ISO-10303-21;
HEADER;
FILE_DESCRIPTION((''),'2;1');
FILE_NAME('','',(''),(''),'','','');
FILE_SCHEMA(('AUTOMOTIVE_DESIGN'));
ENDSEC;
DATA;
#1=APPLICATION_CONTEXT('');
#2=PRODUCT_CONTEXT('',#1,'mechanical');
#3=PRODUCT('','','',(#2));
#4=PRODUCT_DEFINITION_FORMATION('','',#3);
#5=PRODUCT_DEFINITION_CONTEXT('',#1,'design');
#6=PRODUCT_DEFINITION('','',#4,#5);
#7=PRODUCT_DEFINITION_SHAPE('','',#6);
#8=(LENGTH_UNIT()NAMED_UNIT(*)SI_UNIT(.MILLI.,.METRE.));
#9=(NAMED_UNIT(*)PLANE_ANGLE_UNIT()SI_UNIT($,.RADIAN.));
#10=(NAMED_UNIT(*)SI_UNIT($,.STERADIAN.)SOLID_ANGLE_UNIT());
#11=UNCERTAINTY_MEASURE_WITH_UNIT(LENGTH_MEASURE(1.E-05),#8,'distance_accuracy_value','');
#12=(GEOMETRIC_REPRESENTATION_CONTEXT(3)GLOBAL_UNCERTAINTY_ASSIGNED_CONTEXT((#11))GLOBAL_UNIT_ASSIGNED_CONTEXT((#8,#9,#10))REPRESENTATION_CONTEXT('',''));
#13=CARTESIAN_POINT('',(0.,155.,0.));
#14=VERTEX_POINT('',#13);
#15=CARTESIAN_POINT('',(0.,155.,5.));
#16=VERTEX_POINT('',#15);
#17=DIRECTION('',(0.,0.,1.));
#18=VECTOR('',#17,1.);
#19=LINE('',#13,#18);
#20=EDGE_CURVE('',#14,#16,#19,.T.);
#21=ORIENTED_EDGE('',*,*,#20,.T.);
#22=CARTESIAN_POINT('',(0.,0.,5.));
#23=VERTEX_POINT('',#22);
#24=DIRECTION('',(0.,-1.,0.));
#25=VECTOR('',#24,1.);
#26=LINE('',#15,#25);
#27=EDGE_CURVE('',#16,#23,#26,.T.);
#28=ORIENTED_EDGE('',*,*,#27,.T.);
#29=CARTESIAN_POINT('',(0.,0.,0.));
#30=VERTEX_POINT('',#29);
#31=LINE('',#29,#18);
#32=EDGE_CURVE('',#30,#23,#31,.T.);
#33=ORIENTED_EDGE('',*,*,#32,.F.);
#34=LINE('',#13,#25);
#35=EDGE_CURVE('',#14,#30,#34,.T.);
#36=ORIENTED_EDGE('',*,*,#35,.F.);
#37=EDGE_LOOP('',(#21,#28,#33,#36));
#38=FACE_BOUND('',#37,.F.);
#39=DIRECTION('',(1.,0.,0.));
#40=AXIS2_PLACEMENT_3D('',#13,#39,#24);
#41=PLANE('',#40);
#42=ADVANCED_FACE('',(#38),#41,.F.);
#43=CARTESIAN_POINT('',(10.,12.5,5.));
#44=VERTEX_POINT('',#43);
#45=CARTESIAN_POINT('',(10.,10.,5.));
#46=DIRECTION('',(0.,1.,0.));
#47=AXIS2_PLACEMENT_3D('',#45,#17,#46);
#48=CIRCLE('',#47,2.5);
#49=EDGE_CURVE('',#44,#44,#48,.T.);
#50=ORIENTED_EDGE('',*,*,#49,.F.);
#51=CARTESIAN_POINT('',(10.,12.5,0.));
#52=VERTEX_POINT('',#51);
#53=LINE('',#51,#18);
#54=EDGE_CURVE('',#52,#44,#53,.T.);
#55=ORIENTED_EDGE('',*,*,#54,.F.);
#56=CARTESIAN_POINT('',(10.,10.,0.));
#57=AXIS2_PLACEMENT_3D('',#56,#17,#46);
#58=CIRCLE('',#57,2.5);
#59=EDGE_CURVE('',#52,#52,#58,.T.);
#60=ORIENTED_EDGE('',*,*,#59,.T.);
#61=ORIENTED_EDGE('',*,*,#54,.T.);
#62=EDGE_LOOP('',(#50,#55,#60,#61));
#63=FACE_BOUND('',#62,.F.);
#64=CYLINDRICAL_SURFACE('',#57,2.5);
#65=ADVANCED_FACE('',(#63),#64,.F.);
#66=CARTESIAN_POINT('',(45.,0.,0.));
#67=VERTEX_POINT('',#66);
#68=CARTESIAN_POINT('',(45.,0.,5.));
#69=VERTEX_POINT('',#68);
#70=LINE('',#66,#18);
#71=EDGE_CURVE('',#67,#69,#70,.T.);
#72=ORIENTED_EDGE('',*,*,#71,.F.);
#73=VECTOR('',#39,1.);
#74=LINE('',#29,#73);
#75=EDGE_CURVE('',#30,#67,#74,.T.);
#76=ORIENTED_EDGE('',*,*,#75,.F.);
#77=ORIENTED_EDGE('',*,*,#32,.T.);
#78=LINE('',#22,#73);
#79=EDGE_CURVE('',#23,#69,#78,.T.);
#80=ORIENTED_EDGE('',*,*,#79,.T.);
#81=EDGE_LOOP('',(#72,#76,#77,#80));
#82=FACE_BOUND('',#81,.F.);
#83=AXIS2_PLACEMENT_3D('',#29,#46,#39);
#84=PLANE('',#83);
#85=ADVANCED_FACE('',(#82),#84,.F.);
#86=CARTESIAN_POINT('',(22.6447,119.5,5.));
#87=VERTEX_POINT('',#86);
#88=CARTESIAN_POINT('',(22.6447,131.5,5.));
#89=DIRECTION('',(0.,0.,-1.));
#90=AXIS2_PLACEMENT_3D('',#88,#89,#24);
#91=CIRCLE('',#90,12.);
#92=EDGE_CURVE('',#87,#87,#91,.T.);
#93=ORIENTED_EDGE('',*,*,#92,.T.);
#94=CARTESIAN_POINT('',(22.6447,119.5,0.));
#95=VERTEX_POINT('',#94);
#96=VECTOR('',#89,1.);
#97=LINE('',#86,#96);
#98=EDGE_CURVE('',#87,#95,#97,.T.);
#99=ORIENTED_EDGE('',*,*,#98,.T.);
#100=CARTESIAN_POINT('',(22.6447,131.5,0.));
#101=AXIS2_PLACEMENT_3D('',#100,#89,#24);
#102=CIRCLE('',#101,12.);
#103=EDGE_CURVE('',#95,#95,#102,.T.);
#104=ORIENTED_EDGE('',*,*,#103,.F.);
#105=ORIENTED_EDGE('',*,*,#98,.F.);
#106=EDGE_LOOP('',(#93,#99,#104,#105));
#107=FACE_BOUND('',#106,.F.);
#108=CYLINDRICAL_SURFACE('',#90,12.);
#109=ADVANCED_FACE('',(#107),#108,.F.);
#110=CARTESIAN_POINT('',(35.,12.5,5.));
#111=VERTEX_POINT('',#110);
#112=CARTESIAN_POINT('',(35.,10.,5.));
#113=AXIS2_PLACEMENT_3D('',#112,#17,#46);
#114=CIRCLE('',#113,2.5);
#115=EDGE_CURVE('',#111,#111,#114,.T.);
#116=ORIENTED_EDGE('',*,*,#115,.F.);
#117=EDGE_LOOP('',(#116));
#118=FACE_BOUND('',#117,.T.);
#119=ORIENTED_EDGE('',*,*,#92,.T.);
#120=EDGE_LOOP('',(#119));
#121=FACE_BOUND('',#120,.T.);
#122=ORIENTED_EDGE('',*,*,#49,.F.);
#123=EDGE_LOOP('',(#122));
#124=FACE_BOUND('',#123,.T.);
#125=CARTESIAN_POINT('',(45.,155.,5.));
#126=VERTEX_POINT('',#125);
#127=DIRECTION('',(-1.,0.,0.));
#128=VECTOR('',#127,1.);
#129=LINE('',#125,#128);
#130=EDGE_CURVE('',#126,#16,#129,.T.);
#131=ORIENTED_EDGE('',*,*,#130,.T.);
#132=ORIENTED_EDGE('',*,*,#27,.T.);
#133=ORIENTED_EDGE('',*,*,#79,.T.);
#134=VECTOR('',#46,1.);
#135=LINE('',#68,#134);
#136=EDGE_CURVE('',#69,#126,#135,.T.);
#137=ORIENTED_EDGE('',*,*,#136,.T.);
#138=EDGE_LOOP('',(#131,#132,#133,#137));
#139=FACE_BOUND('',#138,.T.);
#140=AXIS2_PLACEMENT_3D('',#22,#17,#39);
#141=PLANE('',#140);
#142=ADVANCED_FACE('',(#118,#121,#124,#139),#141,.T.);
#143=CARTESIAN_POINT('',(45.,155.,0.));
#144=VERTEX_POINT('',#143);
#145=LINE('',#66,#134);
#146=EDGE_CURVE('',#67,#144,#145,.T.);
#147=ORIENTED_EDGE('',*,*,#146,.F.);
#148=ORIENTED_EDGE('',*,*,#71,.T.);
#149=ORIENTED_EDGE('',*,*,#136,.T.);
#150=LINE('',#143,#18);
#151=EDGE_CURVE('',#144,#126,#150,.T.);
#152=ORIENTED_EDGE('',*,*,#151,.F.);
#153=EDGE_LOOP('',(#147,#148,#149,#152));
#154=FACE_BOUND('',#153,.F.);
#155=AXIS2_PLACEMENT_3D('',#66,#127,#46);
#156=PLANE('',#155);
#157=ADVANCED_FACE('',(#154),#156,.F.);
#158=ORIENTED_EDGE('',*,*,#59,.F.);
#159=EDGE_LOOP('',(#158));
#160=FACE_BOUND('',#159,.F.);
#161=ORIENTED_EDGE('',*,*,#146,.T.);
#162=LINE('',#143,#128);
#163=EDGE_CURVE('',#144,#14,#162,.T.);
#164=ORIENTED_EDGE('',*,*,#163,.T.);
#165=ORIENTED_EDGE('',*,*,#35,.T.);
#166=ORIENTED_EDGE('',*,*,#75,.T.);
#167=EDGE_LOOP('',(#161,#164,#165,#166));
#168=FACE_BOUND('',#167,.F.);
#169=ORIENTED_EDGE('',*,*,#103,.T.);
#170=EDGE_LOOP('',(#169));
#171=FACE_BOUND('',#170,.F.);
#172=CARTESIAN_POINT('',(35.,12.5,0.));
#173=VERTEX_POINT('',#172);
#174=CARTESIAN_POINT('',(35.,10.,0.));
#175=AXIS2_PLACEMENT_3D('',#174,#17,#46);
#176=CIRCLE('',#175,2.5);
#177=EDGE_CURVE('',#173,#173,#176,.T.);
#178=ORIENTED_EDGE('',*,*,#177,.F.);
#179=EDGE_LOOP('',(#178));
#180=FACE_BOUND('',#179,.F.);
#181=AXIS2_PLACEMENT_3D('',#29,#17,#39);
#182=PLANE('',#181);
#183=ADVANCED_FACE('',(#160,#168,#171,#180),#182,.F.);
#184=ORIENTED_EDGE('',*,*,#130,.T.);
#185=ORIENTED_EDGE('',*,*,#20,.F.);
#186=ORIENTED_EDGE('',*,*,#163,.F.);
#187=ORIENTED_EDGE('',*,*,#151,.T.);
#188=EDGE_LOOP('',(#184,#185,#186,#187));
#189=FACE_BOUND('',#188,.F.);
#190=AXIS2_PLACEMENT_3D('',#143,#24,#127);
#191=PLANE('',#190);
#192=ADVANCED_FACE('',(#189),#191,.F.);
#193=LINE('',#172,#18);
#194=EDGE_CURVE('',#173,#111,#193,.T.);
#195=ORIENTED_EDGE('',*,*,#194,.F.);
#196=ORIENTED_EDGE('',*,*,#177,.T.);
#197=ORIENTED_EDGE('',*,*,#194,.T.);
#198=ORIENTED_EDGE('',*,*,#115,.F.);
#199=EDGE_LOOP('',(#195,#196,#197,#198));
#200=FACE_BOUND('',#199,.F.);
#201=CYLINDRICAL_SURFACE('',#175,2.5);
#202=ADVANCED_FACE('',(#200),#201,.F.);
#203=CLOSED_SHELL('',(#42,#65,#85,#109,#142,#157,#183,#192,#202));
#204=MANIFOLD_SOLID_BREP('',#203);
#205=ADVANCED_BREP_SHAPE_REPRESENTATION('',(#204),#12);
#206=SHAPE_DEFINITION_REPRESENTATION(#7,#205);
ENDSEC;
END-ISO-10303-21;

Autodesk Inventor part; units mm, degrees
ref_plane "YZ Plane" through (0, 0, 0) normal (1, 0, 0) x (0, 1, 0)
ref_plane "XZ Plane" through (0, 0, 0) normal (0, 1, 0) x (-1, 0, 0)
ref_plane "XY Plane" through (0, 0, 0) normal (0, 0, 1) x (1, 0, 0)
sketch "スケッチ1" plane through (0, 0, 0) normal (0, 0, 1) x (1, 0, 0)
  line L0 (0, 0) -> (45, 0)
  line L1 (45, 0) -> (45, 155)
  line L2 (45, 155) -> (0, 155)
  line L3 (0, 155) -> (0, 0)
  dimension "d0" = 155
  dimension "d1" = 45
extrude "押し出し1" add sketch "スケッチ1" along normal blind 5
sketch "スケッチ2" plane through (0, 0, 5) normal (0, 0, 1) x (1, 0, 0)
  line L0 (0, 0) -> (45, 0) projected
  point P0 (22.6447, 131.5)
  dimension "d4" = 131.5
hole "穴1" at (22.6447, 131.5, 5) direction (0, 0, -1) diameter 24 end through all
sketch "スケッチ3" plane through (0, 0, 0) normal (0, 0, -1) x (-1, 0, 0)
  line L0 (0, 0) -> (-45, 0) projected
  line L1 (-45, 0) -> (-45, 155) projected
  line L2 (0, 155) -> (0, 0) projected
  point P0 (-10, 10)
  point P1 (-35, 10)
  dimension "d12" = 10
  dimension "d13" = 10
  dimension "d14" = 10
  dimension "d15" = 10
hole "穴2" at (10, 10, 0) at (35, 10, 0) direction (0, 0, 1) diameter 5 end through all
properties part number "回転軸取り付け板"
